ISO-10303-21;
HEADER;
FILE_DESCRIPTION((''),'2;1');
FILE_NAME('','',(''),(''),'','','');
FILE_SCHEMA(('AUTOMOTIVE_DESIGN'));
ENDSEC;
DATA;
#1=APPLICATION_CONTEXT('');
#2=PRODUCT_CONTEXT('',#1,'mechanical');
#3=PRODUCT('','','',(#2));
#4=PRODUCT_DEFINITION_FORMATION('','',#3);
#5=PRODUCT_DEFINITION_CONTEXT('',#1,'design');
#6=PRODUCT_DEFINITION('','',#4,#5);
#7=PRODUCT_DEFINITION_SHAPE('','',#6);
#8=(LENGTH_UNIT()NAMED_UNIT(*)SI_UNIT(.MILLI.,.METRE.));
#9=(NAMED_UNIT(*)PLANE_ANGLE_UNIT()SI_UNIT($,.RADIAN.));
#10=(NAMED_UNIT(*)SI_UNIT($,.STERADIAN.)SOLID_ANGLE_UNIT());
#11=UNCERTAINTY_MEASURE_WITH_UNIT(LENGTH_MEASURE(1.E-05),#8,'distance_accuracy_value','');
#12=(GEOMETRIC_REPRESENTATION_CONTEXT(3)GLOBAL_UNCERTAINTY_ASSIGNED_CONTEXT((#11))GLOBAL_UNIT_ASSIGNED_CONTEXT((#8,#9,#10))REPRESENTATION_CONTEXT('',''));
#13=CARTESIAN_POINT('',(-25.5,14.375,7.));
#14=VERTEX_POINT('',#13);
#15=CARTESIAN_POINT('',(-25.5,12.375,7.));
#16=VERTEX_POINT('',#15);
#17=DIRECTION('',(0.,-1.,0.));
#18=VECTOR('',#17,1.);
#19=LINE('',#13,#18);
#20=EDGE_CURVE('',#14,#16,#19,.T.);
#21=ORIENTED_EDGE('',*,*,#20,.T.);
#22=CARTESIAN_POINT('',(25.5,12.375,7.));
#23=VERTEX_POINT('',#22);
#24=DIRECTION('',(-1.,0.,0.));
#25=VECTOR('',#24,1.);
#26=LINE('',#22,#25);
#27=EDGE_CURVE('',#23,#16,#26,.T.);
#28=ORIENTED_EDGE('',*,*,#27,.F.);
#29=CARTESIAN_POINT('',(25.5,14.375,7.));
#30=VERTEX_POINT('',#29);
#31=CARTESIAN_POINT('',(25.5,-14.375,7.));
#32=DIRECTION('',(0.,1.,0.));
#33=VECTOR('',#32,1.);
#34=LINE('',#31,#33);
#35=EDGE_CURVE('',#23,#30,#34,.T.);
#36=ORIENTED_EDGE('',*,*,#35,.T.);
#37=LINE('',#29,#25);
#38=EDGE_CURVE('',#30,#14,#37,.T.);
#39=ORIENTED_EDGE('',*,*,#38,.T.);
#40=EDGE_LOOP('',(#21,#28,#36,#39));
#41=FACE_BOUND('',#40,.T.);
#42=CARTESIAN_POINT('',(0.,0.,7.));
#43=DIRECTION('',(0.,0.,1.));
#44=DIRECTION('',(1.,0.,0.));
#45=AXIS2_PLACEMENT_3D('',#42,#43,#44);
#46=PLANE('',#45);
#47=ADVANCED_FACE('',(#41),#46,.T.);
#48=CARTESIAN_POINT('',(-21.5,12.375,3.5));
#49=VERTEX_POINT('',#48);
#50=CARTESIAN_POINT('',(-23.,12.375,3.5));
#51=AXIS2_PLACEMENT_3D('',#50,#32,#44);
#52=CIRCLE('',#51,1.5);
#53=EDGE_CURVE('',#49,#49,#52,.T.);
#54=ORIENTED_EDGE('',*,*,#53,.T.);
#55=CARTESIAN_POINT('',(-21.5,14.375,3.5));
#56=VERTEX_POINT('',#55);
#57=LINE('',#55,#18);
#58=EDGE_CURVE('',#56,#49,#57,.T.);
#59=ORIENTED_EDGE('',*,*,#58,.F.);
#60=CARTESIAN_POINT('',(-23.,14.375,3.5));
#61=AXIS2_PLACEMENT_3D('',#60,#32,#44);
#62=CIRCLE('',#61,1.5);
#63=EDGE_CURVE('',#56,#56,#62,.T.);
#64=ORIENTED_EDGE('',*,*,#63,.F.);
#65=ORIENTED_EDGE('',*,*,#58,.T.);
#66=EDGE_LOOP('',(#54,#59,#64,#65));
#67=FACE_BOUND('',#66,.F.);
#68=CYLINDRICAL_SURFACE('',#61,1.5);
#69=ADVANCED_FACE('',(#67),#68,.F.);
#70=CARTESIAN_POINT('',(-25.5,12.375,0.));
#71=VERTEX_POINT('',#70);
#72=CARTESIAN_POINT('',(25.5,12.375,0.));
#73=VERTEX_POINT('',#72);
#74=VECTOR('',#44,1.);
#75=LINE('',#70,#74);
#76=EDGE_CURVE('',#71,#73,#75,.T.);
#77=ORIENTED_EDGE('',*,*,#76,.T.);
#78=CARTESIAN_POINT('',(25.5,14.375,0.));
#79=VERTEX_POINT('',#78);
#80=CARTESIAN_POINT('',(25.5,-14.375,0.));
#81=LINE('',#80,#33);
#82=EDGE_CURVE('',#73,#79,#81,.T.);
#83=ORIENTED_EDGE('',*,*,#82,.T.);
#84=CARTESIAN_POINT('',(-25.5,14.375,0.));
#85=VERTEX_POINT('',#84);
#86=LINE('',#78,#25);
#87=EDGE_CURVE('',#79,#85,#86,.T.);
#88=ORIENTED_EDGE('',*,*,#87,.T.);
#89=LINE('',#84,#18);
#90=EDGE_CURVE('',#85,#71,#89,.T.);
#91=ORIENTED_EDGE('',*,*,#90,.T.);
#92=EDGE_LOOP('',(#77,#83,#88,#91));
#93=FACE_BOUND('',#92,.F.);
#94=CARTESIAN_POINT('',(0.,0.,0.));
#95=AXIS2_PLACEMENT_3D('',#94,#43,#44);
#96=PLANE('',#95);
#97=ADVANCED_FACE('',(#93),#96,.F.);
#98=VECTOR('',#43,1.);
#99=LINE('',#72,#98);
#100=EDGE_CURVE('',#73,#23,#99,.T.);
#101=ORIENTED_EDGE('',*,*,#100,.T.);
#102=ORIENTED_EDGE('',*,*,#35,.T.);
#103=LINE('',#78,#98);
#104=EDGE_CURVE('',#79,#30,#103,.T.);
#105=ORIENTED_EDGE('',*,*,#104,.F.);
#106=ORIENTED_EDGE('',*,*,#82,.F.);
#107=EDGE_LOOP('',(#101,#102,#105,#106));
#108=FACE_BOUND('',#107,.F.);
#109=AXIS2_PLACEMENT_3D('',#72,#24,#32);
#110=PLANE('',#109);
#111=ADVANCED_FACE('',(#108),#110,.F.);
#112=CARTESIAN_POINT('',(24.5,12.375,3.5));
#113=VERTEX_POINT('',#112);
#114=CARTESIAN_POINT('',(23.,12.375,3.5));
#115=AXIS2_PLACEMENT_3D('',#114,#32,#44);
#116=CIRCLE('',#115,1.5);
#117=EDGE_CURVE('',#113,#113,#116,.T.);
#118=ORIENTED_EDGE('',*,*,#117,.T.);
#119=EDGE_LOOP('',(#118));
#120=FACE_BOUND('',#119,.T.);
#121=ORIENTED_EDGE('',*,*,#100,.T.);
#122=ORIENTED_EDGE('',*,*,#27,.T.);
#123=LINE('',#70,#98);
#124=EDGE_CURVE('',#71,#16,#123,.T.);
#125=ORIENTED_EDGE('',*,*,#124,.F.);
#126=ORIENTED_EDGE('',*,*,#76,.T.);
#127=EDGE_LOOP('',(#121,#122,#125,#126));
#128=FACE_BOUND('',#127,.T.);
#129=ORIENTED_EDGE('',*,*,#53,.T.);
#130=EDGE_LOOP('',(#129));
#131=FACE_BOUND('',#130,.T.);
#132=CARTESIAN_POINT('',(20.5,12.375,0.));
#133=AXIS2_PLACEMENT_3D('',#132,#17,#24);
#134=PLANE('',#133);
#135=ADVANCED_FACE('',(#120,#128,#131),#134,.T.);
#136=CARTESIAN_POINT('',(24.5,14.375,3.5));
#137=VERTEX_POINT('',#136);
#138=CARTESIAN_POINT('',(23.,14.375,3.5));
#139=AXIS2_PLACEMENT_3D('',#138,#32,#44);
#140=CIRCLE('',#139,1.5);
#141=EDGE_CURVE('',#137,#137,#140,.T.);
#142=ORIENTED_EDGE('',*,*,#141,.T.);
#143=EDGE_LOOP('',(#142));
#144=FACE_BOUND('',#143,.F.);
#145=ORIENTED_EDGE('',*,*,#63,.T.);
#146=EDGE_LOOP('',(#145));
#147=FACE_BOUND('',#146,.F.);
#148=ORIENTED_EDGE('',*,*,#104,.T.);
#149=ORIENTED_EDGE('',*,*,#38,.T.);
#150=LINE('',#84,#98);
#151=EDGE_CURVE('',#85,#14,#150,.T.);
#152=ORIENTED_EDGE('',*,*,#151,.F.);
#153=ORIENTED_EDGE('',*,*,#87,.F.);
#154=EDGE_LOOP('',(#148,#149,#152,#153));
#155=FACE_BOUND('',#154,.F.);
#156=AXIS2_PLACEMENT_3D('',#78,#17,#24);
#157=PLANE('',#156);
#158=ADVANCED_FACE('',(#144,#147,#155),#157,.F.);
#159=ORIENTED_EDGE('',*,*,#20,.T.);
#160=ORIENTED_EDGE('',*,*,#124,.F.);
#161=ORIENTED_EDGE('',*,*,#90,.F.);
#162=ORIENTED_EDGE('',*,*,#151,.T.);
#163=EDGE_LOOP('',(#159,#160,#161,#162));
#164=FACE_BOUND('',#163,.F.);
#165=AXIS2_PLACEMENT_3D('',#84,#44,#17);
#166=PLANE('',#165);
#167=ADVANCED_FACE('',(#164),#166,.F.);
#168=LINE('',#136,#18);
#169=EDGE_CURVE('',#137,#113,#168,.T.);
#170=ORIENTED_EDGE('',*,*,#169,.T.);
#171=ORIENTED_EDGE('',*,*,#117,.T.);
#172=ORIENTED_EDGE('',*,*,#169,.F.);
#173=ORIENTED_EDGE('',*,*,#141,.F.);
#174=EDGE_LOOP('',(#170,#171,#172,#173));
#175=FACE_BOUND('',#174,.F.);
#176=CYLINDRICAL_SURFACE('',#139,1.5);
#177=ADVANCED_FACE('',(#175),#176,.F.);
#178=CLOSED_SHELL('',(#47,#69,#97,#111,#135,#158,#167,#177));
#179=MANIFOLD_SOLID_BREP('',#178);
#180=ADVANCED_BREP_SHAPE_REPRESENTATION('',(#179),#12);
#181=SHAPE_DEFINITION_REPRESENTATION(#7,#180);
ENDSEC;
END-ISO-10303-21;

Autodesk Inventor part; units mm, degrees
ref_plane "YZ Plane" through (0, 0, 0) normal (1, 0, 0) x (0, 1, 0)
ref_plane "XZ Plane" through (0, 0, 0) normal (0, 1, 0) x (-1, 0, 0)
ref_plane "XY Plane" through (0, 0, 0) normal (0, 0, 1) x (1, 0, 0)
sketch "Sketch1" plane through (0, 0, 0) normal (0, 0, 1) x (1, 0, 0)
  line L0 (17, -8.875) -> (-17, -8.875) construction
  line L1 (-17, -8.875) -> (-17, 8.875) construction
  line L2 (-17, 8.875) -> (17, 8.875) construction
  line L3 (17, 8.875) -> (17, -8.875) construction
  line L4 (17, -8.875) -> (-17, 8.875) construction
  line L5 (-17, -8.875) -> (17, 8.875) construction
  line L6 (20.5, 12.375) -> (-20.5, 12.375)
  line L7 (-20.5, 12.375) -> (-20.5, -12.375)
  line L8 (-20.5, -12.375) -> (20.5, -12.375)
  line L9 (20.5, -12.375) -> (20.5, 12.375)
  line L10 (20.5, 12.375) -> (-20.5, -12.375) construction
  line L11 (-20.5, 12.375) -> (20.5, -12.375) construction
  line L12 (-25.5, -14.375) -> (25.5, -14.375)
  line L13 (25.5, -14.375) -> (25.5, 14.375)
  line L14 (25.5, 14.375) -> (-25.5, 14.375)
  line L15 (-25.5, 14.375) -> (-25.5, -14.375)
  line L16 (-25.5, -14.375) -> (25.5, 14.375) construction
  line L17 (25.5, -14.375) -> (-25.5, 14.375) construction
  line L18 (-20.5, 12.375) -> (-25.5, 12.375)
  line L19 (20.5, 12.375) -> (25.5, 12.375)
  point P0 (0, 0)
  dimension "d0" = 34
  dimension "d1" = 17.75
  dimension "d2" = 41
  dimension "d3" = 24.75
  dimension "d4" = 51
  dimension "d5" = 28.75
extrude "Extrusion1" add sketch "Sketch1" along normal blind 7 contours L6 L18 L15 L14 L13 L19
sketch "Sketch3" plane through (-25.5, 14.375, 0) normal (0, 1, 0) x (1, 0, 0)
  line L0 (0, 0) -> (0, -7) construction
  line L1 (0, -3.5) -> (2.5, -3.5) construction
  line L2 (51, 0) -> (51, -7) construction
  line L3 (51, -3.5) -> (48.5, -3.5) construction
  line L4 (51, -3.5) -> (53.5, -3.5) construction
  circle A0 centre (2.5, -3.5) radius 1.5
  circle A1 centre (48.5, -3.5) radius 1.5
  point P0 (25.5, 0)
  dimension "d18" = 2.5
  dimension "d19" = 2.5
  dimension "d20" = 180
  dimension "d21" = 3
  dimension "d22" = 3
extrude "Extrusion3" cut sketch "Sketch3" against normal through all
properties part number "SAW_clamp_v2_top"
